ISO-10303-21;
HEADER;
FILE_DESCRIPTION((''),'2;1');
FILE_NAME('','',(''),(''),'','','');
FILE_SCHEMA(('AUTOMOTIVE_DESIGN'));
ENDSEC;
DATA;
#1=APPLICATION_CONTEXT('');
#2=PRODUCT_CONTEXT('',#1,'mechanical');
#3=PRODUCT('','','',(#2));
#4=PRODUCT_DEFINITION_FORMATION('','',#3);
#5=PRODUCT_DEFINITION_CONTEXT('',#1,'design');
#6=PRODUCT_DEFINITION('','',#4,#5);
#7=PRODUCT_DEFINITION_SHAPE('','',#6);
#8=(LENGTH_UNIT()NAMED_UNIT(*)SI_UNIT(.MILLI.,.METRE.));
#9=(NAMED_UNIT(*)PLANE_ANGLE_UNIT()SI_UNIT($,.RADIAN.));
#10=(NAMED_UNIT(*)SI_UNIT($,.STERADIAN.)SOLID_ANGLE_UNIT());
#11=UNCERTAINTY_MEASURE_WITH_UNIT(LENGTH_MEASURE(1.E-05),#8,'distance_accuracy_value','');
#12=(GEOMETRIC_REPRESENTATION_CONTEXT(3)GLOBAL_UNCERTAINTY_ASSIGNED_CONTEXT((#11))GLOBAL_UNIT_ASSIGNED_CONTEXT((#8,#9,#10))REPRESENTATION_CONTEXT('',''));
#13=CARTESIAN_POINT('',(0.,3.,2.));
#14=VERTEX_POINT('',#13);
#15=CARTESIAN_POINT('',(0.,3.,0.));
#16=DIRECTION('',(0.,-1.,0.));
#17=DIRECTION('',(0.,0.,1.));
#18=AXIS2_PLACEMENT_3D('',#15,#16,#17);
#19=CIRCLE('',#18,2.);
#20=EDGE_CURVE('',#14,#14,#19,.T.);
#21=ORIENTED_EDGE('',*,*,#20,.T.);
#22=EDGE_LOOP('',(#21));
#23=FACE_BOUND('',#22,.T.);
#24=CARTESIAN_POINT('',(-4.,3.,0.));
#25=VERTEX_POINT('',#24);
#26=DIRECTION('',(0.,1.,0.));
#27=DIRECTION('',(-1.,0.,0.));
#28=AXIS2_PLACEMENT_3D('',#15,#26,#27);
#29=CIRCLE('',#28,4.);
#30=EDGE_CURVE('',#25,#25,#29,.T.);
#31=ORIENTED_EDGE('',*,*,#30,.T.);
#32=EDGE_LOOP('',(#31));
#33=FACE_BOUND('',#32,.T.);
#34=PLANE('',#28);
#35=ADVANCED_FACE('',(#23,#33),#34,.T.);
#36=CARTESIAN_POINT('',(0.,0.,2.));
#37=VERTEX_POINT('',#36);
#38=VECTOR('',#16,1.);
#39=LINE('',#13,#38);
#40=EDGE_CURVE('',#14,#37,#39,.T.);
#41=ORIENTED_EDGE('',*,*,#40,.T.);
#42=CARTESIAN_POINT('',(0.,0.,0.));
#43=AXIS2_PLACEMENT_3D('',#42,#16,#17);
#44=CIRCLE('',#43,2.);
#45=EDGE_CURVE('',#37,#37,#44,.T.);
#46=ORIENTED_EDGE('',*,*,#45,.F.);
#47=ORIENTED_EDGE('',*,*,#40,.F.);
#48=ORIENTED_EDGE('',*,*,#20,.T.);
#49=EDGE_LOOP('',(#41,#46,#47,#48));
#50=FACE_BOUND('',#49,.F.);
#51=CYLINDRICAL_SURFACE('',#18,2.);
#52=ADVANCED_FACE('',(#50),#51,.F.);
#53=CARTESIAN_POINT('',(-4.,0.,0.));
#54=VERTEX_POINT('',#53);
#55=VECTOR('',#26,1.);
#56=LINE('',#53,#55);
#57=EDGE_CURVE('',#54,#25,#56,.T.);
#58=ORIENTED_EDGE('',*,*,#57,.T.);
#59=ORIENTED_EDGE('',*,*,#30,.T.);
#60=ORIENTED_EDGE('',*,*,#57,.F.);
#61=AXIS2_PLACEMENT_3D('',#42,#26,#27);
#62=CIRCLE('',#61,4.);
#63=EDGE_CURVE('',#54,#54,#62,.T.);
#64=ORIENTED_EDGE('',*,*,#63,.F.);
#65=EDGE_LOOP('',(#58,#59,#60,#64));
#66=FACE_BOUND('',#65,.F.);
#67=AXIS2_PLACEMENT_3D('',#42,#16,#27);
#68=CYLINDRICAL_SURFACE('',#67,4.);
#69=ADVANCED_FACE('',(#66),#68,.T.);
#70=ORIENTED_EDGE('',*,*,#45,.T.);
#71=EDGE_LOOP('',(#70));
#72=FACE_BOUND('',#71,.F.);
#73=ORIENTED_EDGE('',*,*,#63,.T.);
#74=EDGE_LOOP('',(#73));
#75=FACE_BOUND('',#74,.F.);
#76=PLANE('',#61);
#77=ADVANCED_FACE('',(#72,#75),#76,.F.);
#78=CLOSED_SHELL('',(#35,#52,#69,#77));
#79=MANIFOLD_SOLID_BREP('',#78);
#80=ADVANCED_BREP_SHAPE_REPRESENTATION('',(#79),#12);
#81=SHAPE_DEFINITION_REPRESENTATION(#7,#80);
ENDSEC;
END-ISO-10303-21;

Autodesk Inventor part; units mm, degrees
ref_plane "YZ Plane" through (0, 0, 0) normal (1, 0, 0) x (0, 1, 0)
ref_plane "XZ Plane" through (0, 0, 0) normal (0, 1, 0) x (-1, 0, 0)
ref_plane "XY Plane" through (0, 0, 0) normal (0, 0, 1) x (1, 0, 0)
sketch "スケッチ1" plane through (0, 0, 0) normal (0, 1, 0) x (-1, 0, 0)
  circle A0 centre (0, 0) radius 4
  dimension "d0" = 8
extrude "押し出し1" add sketch "スケッチ1" along normal blind 3
sketch "スケッチ2" plane through (0, 3, 0) normal (0, 1, 0) x (1, 0, 0)
  point P0 (0, 0)
  point P1 (0, 0)
hole "穴1" at (0, 3, 0) direction (0, -1, 0) diameter 4 end through all
properties part number "ベアリング想定" material "鋼、炭素鋼"
